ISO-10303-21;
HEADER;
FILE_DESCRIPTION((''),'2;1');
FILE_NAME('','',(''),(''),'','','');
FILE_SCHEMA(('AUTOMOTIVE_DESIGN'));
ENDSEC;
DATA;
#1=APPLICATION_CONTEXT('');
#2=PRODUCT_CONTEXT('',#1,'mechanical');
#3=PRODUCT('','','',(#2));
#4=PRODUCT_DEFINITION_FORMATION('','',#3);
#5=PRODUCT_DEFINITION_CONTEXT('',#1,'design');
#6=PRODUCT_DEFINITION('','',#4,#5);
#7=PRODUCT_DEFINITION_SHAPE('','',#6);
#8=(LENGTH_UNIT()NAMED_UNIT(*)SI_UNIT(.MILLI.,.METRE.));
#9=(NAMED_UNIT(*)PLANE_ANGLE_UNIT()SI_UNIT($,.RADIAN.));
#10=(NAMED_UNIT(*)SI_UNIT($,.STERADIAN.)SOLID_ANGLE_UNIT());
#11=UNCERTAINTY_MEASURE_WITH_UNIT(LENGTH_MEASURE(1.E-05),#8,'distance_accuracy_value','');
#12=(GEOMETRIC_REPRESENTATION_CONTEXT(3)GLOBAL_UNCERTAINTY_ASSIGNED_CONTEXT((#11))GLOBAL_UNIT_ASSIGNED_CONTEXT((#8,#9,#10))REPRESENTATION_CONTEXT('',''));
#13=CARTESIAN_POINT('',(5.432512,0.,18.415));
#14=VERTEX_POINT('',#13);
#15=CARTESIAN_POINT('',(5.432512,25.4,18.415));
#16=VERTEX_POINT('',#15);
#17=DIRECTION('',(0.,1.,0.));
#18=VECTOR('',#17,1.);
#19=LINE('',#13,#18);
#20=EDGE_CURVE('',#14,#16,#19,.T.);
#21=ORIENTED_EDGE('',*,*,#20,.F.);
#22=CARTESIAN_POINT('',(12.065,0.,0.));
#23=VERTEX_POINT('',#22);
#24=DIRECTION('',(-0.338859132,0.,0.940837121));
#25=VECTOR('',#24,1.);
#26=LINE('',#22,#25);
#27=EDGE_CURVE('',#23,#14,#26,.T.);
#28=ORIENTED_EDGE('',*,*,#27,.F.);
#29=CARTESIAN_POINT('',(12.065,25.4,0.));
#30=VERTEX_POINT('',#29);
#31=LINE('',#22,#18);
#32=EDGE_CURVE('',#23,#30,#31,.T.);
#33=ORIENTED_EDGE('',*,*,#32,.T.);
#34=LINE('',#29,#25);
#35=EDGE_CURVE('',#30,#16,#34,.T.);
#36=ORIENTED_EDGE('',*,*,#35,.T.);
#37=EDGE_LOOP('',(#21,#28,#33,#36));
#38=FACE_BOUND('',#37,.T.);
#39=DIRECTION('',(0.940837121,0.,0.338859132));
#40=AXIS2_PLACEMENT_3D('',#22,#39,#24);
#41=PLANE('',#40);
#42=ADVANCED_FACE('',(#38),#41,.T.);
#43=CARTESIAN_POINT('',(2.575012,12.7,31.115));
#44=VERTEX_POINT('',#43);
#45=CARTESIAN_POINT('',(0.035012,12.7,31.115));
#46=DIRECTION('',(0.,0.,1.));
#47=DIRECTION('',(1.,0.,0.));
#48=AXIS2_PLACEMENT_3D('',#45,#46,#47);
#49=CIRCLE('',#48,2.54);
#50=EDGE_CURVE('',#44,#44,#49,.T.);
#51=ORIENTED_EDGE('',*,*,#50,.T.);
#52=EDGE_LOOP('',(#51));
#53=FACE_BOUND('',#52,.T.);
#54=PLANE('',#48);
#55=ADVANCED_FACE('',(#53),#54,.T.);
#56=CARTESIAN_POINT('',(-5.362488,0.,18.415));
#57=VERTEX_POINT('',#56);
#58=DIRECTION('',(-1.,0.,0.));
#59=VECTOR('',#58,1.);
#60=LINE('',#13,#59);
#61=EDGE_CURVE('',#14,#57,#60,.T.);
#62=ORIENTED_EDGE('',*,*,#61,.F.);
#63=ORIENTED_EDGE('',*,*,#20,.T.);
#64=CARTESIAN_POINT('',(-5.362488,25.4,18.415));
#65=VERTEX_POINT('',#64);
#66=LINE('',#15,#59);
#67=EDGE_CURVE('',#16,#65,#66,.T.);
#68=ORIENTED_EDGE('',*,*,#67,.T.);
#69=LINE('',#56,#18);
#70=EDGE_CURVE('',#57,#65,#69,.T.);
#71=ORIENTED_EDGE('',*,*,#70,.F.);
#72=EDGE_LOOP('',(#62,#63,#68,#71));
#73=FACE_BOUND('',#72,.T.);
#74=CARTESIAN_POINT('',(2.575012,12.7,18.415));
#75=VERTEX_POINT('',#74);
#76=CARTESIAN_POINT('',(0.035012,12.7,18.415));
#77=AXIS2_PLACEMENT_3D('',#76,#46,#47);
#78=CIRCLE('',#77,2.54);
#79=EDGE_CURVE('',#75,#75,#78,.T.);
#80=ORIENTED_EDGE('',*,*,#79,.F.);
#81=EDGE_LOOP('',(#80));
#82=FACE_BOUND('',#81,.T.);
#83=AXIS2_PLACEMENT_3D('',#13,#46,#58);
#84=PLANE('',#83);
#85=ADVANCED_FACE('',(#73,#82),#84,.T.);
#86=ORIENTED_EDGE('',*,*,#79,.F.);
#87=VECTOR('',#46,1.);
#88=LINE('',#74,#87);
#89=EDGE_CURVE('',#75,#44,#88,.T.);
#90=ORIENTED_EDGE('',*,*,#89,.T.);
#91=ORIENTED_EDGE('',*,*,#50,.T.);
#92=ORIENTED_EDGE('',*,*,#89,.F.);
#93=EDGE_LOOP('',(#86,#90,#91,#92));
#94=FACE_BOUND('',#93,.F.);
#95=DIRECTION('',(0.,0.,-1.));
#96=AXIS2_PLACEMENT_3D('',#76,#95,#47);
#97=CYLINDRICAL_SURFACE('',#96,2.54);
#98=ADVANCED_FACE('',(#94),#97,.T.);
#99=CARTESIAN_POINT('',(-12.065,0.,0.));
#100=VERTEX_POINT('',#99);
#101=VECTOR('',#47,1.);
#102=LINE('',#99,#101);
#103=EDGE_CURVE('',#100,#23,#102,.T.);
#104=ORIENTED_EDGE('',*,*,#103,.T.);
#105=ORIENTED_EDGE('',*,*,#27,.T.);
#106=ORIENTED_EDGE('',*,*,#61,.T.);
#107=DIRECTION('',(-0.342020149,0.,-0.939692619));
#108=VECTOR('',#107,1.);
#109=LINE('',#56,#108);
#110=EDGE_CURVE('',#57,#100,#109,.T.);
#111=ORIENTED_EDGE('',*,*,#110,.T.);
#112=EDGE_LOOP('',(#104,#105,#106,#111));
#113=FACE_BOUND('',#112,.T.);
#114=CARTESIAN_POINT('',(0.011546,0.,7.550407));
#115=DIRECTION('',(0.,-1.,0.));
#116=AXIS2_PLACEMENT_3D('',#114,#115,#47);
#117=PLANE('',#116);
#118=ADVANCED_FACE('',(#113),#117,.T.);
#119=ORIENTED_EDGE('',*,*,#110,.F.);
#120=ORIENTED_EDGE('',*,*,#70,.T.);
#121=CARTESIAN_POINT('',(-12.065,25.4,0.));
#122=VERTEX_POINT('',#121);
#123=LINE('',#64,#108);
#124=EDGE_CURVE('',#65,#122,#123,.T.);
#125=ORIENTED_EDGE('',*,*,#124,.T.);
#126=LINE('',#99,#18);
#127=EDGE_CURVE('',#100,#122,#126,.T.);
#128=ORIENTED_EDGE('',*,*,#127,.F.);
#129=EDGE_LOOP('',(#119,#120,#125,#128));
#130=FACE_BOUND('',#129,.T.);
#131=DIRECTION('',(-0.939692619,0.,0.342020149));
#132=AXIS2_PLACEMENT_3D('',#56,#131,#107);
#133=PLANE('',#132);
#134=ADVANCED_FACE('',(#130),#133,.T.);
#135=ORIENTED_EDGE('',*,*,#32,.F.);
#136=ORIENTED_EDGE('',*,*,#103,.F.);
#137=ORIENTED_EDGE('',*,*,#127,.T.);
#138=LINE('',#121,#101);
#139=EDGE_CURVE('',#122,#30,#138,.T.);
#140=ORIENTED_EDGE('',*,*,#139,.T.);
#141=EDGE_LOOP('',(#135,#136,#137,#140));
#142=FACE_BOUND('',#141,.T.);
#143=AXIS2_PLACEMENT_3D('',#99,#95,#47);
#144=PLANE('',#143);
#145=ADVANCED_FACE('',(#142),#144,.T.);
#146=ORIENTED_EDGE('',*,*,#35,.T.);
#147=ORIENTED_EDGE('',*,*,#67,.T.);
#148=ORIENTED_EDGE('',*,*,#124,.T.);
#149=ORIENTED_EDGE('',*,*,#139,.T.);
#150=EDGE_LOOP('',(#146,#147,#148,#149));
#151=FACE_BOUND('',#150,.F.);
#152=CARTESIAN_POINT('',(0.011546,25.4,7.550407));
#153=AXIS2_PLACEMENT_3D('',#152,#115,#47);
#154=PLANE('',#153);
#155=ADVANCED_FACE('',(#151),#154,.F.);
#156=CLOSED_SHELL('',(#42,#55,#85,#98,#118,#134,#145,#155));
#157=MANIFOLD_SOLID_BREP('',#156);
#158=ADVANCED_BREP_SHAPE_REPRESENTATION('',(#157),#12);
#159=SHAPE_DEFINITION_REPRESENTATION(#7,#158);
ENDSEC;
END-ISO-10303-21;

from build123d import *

# Parameters (mm, degrees)
F1_DEPTH = 25.4
F2_R     = 2.54
F3_DEPTH = 12.7


with BuildPart() as f1:
    # F0 (on Front) → F1 (new body)
    with BuildSketch(Plane.XZ):
        Polygon((-5.362488, 18.415), (-12.065, 0), (12.065, 0), (5.432512, 18.415), align=None)
    extrude(amount=-F1_DEPTH)

    # F2 (on face) → F3 (join)
    with BuildSketch(Plane.XY.offset(18.415)):
        with Locations((0.035012, 12.7)):
            Circle(F2_R)
    extrude(amount=F3_DEPTH)


solid = f1.part
